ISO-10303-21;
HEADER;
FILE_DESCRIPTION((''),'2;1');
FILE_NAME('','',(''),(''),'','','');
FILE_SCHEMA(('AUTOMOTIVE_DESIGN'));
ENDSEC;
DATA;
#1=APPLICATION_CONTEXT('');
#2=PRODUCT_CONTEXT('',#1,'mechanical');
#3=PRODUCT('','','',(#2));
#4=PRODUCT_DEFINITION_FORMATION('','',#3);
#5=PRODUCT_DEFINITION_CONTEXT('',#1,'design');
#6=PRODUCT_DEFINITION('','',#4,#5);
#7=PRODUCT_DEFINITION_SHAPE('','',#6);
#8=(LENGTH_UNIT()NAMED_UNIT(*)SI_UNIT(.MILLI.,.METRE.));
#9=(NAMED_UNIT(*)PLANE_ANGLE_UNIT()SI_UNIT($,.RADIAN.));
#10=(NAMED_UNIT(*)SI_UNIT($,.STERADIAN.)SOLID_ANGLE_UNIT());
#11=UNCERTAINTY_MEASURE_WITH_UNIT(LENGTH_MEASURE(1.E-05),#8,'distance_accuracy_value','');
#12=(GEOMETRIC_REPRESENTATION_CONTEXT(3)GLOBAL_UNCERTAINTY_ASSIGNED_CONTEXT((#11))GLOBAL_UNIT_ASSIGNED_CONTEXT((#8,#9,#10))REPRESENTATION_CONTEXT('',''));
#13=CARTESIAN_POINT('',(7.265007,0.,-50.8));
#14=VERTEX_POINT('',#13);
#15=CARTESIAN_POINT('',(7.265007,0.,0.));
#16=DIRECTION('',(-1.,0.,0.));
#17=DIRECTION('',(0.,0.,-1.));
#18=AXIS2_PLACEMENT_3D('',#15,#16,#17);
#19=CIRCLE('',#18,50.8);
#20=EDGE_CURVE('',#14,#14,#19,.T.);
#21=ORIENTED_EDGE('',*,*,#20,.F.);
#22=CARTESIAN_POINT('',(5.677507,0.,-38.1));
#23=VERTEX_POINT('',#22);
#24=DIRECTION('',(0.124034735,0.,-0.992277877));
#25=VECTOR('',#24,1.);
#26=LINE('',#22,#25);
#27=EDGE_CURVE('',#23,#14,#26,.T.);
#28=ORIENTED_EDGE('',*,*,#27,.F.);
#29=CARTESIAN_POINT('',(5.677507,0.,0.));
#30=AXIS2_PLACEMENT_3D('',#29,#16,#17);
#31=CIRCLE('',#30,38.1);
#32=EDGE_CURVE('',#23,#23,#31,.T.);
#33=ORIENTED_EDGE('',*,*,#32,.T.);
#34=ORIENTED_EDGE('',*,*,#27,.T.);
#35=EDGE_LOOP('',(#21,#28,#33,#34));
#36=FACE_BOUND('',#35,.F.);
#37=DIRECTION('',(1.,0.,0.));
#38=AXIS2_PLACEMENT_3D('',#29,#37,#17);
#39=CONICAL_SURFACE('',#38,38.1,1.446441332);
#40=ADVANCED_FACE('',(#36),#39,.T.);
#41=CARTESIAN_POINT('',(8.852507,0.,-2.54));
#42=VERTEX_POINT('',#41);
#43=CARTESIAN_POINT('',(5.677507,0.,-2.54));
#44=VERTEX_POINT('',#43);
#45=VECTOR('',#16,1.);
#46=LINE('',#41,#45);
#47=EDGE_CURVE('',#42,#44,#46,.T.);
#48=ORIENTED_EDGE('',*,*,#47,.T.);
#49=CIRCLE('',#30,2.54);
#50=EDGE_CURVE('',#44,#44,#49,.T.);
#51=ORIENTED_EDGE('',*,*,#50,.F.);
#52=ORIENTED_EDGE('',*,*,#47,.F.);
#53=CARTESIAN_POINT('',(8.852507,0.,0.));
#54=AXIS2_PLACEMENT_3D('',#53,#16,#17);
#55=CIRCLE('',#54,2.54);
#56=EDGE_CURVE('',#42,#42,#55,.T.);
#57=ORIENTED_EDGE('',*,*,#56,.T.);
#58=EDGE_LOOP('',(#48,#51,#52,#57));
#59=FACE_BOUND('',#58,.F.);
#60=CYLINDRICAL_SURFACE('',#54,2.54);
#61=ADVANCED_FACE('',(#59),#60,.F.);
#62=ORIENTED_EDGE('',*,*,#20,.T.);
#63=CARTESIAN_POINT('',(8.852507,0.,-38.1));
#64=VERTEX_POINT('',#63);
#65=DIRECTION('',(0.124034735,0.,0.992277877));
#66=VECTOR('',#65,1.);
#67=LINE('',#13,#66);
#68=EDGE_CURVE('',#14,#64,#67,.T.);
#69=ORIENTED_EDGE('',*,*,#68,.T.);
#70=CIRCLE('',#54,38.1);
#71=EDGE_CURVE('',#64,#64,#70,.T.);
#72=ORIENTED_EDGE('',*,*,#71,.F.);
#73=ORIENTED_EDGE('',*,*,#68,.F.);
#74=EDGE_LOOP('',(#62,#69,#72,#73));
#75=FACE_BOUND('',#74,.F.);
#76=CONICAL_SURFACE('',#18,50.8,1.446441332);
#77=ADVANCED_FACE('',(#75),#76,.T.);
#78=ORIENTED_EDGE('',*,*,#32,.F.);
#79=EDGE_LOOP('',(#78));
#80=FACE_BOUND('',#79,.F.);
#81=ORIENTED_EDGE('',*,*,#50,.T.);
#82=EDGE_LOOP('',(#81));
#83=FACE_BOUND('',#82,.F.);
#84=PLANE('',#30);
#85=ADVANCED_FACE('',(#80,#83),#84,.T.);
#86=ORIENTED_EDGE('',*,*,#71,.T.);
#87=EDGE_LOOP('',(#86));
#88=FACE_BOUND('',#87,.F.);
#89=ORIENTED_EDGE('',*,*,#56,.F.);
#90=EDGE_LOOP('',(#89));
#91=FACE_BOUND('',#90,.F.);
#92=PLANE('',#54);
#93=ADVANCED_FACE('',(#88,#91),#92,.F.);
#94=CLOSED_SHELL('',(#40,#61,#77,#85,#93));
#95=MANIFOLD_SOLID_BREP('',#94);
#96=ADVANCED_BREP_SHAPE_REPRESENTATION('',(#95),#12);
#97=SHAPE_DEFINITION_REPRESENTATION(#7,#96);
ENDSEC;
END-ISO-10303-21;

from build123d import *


with BuildPart() as f1:
    # F0 (on Front) → F1 (revolve)
    with BuildSketch(Plane.XZ):
        Polygon((8.852507, -2.54), (5.677507, -2.54), (5.677507, -38.1), (7.265007, -38.1), (8.852507, -38.1), align=None)
        Polygon((7.265007, -50.8), (8.852507, -38.1), (7.265007, -38.1), align=None)
        Polygon((7.265007, -38.1), (5.677507, -38.1), (7.265007, -50.8), align=None)
    revolve(axis=Axis((7.265007, 0, 0), (-1, 0, 0)))


solid = f1.part
